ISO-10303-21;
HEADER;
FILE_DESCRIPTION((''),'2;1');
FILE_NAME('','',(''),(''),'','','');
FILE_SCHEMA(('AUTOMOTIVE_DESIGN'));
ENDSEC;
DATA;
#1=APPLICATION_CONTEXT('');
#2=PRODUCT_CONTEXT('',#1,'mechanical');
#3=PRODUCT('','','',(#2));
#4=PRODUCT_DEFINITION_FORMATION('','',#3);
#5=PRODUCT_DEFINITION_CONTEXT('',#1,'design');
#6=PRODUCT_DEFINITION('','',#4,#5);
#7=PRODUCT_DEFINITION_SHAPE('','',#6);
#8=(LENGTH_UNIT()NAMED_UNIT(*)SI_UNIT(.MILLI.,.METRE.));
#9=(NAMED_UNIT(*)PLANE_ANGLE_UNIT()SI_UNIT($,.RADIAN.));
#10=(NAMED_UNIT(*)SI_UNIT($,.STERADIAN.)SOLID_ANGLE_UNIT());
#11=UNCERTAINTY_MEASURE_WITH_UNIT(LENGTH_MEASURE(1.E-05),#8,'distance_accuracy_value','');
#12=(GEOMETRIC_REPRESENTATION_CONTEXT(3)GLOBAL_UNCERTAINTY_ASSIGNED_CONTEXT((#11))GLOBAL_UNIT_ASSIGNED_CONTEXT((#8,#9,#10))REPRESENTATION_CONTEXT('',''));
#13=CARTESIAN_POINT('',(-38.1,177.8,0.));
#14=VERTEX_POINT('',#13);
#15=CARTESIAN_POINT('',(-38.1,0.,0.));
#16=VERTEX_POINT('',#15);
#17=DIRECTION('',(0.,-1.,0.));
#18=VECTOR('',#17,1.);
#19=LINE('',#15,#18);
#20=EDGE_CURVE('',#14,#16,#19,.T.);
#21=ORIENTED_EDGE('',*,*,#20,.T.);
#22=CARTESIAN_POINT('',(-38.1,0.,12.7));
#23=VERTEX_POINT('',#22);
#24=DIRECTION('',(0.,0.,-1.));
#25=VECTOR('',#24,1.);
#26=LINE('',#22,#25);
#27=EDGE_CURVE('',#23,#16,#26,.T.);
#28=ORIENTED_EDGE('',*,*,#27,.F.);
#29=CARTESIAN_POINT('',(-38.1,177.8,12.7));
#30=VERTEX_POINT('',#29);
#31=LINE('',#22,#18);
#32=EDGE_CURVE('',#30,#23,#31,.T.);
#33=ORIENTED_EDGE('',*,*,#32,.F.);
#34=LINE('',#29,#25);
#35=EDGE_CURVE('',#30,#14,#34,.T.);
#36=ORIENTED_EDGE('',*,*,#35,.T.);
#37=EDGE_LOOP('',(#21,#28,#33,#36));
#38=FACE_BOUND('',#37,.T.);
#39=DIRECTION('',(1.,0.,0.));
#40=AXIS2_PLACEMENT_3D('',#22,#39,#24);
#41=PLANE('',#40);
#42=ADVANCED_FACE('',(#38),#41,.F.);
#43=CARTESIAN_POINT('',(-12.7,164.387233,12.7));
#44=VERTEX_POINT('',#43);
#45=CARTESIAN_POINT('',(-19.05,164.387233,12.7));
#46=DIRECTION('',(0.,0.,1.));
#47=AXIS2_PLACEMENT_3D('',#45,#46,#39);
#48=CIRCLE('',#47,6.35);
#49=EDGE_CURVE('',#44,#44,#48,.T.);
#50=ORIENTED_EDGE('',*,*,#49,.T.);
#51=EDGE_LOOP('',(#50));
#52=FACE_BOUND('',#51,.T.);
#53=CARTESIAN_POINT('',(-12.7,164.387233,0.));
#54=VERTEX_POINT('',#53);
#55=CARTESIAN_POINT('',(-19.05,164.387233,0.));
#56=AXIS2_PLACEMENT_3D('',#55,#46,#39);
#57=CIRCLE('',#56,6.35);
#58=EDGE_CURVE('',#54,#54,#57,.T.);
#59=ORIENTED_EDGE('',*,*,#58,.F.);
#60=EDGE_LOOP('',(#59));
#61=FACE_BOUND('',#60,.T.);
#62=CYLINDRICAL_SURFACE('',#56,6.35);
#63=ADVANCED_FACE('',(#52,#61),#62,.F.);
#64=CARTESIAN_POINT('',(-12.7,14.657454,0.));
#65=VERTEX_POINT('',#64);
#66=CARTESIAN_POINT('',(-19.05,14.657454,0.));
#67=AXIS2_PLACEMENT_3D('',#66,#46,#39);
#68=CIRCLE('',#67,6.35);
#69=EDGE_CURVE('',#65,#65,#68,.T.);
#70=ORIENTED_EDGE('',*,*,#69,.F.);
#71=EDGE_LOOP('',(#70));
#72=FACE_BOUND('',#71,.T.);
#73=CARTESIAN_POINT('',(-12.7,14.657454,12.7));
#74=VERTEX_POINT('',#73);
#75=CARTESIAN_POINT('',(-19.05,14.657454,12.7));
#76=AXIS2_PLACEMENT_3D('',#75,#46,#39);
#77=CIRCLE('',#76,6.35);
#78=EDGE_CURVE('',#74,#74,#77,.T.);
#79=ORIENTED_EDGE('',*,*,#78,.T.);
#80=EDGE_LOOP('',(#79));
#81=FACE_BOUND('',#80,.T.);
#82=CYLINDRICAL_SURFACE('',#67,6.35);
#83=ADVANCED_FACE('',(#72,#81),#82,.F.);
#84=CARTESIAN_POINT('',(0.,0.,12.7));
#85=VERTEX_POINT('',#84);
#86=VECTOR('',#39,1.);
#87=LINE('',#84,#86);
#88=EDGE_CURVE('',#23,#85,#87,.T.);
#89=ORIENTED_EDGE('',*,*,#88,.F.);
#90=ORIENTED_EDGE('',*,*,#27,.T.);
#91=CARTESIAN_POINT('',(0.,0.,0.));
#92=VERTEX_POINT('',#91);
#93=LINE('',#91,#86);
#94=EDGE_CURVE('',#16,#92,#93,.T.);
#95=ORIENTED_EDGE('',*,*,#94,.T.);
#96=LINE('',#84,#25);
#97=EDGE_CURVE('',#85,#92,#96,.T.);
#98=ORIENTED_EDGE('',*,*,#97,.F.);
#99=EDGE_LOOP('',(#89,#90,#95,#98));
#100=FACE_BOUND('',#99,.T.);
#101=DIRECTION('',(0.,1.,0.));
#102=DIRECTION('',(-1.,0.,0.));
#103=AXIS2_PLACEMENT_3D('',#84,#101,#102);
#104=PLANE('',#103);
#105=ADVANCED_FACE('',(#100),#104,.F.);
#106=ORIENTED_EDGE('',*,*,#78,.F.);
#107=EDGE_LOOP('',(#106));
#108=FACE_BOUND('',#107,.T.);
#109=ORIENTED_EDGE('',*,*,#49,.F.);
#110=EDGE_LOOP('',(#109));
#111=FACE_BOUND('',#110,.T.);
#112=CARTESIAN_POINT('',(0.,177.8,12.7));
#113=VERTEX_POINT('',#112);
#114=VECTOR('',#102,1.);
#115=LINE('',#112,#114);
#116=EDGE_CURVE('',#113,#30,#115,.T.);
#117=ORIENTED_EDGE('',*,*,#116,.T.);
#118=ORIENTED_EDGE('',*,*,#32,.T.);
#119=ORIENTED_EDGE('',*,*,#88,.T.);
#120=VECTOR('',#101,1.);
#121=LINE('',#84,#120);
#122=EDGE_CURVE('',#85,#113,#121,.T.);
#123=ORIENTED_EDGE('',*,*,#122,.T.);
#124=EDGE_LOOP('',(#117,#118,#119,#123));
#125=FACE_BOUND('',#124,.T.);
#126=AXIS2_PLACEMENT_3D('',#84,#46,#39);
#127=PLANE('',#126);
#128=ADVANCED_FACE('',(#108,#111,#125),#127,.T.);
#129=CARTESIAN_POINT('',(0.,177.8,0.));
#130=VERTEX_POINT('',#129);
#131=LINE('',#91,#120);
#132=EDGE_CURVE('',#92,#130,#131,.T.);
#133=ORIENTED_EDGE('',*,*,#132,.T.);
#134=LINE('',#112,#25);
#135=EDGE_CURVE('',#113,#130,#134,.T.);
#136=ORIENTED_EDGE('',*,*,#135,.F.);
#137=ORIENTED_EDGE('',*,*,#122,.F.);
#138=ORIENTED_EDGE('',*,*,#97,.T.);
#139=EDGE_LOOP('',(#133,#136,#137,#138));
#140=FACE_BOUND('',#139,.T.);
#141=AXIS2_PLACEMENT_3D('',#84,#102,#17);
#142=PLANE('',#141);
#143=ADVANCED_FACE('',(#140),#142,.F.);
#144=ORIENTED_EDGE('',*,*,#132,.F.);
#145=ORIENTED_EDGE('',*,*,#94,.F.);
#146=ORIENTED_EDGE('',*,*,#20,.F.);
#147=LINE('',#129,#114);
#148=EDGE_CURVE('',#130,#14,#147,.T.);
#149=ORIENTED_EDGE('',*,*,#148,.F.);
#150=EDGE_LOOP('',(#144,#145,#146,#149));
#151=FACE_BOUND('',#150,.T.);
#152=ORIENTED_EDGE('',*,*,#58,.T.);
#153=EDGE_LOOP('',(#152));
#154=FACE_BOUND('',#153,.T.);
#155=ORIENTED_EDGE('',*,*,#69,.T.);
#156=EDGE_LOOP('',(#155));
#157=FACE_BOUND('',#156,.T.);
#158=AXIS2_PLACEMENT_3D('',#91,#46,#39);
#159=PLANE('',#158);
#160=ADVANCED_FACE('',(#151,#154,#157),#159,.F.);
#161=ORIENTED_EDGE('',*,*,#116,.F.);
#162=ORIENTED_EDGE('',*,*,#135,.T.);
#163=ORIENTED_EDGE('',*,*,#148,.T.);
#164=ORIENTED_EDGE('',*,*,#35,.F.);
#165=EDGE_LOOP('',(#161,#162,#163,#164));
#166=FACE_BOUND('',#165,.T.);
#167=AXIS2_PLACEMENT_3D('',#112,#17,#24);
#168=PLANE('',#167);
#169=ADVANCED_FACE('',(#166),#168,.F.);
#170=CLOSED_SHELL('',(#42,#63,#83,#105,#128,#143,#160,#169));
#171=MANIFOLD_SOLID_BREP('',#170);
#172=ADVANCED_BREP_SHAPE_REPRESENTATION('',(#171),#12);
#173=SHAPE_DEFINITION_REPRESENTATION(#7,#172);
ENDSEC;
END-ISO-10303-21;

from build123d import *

# Parameters (mm, degrees)
SKETCH2_W           = 38.1
SKETCH2_H           = 177.8
BOSS_EXTRUDE1_DEPTH = 12.7
SKETCH7_R           = 6.35
CUT_EXTRUDE1_DEPTH  = 183.279291199
SKETCH4_R           = 6.35
CUT_EXTRUDE2_DEPTH  = 183.279291199


with BuildPart() as part:
    # Sketch2 → Boss-Extrude1 (new body)
    with BuildSketch(Plane.XY):
        with Locations((-19.05, 88.9)):
            Rectangle(SKETCH2_W, SKETCH2_H)
    extrude(amount=BOSS_EXTRUDE1_DEPTH)

    # Sketch7 → Cut-Extrude1 (cut, through all)
    with BuildSketch(Plane.XY.offset(12.7)):
        with Locations((-19.05, 164.387233427)):
            Circle(SKETCH7_R)
    extrude(amount=-CUT_EXTRUDE1_DEPTH, mode=Mode.SUBTRACT)

    # Sketch4 → Cut-Extrude2 (cut, through all)
    with BuildSketch(Plane.XY.offset(12.7)):
        with Locations((-19.05, 14.657453968)):
            Circle(SKETCH4_R)
    extrude(amount=-CUT_EXTRUDE2_DEPTH, mode=Mode.SUBTRACT)


solid = part.part
